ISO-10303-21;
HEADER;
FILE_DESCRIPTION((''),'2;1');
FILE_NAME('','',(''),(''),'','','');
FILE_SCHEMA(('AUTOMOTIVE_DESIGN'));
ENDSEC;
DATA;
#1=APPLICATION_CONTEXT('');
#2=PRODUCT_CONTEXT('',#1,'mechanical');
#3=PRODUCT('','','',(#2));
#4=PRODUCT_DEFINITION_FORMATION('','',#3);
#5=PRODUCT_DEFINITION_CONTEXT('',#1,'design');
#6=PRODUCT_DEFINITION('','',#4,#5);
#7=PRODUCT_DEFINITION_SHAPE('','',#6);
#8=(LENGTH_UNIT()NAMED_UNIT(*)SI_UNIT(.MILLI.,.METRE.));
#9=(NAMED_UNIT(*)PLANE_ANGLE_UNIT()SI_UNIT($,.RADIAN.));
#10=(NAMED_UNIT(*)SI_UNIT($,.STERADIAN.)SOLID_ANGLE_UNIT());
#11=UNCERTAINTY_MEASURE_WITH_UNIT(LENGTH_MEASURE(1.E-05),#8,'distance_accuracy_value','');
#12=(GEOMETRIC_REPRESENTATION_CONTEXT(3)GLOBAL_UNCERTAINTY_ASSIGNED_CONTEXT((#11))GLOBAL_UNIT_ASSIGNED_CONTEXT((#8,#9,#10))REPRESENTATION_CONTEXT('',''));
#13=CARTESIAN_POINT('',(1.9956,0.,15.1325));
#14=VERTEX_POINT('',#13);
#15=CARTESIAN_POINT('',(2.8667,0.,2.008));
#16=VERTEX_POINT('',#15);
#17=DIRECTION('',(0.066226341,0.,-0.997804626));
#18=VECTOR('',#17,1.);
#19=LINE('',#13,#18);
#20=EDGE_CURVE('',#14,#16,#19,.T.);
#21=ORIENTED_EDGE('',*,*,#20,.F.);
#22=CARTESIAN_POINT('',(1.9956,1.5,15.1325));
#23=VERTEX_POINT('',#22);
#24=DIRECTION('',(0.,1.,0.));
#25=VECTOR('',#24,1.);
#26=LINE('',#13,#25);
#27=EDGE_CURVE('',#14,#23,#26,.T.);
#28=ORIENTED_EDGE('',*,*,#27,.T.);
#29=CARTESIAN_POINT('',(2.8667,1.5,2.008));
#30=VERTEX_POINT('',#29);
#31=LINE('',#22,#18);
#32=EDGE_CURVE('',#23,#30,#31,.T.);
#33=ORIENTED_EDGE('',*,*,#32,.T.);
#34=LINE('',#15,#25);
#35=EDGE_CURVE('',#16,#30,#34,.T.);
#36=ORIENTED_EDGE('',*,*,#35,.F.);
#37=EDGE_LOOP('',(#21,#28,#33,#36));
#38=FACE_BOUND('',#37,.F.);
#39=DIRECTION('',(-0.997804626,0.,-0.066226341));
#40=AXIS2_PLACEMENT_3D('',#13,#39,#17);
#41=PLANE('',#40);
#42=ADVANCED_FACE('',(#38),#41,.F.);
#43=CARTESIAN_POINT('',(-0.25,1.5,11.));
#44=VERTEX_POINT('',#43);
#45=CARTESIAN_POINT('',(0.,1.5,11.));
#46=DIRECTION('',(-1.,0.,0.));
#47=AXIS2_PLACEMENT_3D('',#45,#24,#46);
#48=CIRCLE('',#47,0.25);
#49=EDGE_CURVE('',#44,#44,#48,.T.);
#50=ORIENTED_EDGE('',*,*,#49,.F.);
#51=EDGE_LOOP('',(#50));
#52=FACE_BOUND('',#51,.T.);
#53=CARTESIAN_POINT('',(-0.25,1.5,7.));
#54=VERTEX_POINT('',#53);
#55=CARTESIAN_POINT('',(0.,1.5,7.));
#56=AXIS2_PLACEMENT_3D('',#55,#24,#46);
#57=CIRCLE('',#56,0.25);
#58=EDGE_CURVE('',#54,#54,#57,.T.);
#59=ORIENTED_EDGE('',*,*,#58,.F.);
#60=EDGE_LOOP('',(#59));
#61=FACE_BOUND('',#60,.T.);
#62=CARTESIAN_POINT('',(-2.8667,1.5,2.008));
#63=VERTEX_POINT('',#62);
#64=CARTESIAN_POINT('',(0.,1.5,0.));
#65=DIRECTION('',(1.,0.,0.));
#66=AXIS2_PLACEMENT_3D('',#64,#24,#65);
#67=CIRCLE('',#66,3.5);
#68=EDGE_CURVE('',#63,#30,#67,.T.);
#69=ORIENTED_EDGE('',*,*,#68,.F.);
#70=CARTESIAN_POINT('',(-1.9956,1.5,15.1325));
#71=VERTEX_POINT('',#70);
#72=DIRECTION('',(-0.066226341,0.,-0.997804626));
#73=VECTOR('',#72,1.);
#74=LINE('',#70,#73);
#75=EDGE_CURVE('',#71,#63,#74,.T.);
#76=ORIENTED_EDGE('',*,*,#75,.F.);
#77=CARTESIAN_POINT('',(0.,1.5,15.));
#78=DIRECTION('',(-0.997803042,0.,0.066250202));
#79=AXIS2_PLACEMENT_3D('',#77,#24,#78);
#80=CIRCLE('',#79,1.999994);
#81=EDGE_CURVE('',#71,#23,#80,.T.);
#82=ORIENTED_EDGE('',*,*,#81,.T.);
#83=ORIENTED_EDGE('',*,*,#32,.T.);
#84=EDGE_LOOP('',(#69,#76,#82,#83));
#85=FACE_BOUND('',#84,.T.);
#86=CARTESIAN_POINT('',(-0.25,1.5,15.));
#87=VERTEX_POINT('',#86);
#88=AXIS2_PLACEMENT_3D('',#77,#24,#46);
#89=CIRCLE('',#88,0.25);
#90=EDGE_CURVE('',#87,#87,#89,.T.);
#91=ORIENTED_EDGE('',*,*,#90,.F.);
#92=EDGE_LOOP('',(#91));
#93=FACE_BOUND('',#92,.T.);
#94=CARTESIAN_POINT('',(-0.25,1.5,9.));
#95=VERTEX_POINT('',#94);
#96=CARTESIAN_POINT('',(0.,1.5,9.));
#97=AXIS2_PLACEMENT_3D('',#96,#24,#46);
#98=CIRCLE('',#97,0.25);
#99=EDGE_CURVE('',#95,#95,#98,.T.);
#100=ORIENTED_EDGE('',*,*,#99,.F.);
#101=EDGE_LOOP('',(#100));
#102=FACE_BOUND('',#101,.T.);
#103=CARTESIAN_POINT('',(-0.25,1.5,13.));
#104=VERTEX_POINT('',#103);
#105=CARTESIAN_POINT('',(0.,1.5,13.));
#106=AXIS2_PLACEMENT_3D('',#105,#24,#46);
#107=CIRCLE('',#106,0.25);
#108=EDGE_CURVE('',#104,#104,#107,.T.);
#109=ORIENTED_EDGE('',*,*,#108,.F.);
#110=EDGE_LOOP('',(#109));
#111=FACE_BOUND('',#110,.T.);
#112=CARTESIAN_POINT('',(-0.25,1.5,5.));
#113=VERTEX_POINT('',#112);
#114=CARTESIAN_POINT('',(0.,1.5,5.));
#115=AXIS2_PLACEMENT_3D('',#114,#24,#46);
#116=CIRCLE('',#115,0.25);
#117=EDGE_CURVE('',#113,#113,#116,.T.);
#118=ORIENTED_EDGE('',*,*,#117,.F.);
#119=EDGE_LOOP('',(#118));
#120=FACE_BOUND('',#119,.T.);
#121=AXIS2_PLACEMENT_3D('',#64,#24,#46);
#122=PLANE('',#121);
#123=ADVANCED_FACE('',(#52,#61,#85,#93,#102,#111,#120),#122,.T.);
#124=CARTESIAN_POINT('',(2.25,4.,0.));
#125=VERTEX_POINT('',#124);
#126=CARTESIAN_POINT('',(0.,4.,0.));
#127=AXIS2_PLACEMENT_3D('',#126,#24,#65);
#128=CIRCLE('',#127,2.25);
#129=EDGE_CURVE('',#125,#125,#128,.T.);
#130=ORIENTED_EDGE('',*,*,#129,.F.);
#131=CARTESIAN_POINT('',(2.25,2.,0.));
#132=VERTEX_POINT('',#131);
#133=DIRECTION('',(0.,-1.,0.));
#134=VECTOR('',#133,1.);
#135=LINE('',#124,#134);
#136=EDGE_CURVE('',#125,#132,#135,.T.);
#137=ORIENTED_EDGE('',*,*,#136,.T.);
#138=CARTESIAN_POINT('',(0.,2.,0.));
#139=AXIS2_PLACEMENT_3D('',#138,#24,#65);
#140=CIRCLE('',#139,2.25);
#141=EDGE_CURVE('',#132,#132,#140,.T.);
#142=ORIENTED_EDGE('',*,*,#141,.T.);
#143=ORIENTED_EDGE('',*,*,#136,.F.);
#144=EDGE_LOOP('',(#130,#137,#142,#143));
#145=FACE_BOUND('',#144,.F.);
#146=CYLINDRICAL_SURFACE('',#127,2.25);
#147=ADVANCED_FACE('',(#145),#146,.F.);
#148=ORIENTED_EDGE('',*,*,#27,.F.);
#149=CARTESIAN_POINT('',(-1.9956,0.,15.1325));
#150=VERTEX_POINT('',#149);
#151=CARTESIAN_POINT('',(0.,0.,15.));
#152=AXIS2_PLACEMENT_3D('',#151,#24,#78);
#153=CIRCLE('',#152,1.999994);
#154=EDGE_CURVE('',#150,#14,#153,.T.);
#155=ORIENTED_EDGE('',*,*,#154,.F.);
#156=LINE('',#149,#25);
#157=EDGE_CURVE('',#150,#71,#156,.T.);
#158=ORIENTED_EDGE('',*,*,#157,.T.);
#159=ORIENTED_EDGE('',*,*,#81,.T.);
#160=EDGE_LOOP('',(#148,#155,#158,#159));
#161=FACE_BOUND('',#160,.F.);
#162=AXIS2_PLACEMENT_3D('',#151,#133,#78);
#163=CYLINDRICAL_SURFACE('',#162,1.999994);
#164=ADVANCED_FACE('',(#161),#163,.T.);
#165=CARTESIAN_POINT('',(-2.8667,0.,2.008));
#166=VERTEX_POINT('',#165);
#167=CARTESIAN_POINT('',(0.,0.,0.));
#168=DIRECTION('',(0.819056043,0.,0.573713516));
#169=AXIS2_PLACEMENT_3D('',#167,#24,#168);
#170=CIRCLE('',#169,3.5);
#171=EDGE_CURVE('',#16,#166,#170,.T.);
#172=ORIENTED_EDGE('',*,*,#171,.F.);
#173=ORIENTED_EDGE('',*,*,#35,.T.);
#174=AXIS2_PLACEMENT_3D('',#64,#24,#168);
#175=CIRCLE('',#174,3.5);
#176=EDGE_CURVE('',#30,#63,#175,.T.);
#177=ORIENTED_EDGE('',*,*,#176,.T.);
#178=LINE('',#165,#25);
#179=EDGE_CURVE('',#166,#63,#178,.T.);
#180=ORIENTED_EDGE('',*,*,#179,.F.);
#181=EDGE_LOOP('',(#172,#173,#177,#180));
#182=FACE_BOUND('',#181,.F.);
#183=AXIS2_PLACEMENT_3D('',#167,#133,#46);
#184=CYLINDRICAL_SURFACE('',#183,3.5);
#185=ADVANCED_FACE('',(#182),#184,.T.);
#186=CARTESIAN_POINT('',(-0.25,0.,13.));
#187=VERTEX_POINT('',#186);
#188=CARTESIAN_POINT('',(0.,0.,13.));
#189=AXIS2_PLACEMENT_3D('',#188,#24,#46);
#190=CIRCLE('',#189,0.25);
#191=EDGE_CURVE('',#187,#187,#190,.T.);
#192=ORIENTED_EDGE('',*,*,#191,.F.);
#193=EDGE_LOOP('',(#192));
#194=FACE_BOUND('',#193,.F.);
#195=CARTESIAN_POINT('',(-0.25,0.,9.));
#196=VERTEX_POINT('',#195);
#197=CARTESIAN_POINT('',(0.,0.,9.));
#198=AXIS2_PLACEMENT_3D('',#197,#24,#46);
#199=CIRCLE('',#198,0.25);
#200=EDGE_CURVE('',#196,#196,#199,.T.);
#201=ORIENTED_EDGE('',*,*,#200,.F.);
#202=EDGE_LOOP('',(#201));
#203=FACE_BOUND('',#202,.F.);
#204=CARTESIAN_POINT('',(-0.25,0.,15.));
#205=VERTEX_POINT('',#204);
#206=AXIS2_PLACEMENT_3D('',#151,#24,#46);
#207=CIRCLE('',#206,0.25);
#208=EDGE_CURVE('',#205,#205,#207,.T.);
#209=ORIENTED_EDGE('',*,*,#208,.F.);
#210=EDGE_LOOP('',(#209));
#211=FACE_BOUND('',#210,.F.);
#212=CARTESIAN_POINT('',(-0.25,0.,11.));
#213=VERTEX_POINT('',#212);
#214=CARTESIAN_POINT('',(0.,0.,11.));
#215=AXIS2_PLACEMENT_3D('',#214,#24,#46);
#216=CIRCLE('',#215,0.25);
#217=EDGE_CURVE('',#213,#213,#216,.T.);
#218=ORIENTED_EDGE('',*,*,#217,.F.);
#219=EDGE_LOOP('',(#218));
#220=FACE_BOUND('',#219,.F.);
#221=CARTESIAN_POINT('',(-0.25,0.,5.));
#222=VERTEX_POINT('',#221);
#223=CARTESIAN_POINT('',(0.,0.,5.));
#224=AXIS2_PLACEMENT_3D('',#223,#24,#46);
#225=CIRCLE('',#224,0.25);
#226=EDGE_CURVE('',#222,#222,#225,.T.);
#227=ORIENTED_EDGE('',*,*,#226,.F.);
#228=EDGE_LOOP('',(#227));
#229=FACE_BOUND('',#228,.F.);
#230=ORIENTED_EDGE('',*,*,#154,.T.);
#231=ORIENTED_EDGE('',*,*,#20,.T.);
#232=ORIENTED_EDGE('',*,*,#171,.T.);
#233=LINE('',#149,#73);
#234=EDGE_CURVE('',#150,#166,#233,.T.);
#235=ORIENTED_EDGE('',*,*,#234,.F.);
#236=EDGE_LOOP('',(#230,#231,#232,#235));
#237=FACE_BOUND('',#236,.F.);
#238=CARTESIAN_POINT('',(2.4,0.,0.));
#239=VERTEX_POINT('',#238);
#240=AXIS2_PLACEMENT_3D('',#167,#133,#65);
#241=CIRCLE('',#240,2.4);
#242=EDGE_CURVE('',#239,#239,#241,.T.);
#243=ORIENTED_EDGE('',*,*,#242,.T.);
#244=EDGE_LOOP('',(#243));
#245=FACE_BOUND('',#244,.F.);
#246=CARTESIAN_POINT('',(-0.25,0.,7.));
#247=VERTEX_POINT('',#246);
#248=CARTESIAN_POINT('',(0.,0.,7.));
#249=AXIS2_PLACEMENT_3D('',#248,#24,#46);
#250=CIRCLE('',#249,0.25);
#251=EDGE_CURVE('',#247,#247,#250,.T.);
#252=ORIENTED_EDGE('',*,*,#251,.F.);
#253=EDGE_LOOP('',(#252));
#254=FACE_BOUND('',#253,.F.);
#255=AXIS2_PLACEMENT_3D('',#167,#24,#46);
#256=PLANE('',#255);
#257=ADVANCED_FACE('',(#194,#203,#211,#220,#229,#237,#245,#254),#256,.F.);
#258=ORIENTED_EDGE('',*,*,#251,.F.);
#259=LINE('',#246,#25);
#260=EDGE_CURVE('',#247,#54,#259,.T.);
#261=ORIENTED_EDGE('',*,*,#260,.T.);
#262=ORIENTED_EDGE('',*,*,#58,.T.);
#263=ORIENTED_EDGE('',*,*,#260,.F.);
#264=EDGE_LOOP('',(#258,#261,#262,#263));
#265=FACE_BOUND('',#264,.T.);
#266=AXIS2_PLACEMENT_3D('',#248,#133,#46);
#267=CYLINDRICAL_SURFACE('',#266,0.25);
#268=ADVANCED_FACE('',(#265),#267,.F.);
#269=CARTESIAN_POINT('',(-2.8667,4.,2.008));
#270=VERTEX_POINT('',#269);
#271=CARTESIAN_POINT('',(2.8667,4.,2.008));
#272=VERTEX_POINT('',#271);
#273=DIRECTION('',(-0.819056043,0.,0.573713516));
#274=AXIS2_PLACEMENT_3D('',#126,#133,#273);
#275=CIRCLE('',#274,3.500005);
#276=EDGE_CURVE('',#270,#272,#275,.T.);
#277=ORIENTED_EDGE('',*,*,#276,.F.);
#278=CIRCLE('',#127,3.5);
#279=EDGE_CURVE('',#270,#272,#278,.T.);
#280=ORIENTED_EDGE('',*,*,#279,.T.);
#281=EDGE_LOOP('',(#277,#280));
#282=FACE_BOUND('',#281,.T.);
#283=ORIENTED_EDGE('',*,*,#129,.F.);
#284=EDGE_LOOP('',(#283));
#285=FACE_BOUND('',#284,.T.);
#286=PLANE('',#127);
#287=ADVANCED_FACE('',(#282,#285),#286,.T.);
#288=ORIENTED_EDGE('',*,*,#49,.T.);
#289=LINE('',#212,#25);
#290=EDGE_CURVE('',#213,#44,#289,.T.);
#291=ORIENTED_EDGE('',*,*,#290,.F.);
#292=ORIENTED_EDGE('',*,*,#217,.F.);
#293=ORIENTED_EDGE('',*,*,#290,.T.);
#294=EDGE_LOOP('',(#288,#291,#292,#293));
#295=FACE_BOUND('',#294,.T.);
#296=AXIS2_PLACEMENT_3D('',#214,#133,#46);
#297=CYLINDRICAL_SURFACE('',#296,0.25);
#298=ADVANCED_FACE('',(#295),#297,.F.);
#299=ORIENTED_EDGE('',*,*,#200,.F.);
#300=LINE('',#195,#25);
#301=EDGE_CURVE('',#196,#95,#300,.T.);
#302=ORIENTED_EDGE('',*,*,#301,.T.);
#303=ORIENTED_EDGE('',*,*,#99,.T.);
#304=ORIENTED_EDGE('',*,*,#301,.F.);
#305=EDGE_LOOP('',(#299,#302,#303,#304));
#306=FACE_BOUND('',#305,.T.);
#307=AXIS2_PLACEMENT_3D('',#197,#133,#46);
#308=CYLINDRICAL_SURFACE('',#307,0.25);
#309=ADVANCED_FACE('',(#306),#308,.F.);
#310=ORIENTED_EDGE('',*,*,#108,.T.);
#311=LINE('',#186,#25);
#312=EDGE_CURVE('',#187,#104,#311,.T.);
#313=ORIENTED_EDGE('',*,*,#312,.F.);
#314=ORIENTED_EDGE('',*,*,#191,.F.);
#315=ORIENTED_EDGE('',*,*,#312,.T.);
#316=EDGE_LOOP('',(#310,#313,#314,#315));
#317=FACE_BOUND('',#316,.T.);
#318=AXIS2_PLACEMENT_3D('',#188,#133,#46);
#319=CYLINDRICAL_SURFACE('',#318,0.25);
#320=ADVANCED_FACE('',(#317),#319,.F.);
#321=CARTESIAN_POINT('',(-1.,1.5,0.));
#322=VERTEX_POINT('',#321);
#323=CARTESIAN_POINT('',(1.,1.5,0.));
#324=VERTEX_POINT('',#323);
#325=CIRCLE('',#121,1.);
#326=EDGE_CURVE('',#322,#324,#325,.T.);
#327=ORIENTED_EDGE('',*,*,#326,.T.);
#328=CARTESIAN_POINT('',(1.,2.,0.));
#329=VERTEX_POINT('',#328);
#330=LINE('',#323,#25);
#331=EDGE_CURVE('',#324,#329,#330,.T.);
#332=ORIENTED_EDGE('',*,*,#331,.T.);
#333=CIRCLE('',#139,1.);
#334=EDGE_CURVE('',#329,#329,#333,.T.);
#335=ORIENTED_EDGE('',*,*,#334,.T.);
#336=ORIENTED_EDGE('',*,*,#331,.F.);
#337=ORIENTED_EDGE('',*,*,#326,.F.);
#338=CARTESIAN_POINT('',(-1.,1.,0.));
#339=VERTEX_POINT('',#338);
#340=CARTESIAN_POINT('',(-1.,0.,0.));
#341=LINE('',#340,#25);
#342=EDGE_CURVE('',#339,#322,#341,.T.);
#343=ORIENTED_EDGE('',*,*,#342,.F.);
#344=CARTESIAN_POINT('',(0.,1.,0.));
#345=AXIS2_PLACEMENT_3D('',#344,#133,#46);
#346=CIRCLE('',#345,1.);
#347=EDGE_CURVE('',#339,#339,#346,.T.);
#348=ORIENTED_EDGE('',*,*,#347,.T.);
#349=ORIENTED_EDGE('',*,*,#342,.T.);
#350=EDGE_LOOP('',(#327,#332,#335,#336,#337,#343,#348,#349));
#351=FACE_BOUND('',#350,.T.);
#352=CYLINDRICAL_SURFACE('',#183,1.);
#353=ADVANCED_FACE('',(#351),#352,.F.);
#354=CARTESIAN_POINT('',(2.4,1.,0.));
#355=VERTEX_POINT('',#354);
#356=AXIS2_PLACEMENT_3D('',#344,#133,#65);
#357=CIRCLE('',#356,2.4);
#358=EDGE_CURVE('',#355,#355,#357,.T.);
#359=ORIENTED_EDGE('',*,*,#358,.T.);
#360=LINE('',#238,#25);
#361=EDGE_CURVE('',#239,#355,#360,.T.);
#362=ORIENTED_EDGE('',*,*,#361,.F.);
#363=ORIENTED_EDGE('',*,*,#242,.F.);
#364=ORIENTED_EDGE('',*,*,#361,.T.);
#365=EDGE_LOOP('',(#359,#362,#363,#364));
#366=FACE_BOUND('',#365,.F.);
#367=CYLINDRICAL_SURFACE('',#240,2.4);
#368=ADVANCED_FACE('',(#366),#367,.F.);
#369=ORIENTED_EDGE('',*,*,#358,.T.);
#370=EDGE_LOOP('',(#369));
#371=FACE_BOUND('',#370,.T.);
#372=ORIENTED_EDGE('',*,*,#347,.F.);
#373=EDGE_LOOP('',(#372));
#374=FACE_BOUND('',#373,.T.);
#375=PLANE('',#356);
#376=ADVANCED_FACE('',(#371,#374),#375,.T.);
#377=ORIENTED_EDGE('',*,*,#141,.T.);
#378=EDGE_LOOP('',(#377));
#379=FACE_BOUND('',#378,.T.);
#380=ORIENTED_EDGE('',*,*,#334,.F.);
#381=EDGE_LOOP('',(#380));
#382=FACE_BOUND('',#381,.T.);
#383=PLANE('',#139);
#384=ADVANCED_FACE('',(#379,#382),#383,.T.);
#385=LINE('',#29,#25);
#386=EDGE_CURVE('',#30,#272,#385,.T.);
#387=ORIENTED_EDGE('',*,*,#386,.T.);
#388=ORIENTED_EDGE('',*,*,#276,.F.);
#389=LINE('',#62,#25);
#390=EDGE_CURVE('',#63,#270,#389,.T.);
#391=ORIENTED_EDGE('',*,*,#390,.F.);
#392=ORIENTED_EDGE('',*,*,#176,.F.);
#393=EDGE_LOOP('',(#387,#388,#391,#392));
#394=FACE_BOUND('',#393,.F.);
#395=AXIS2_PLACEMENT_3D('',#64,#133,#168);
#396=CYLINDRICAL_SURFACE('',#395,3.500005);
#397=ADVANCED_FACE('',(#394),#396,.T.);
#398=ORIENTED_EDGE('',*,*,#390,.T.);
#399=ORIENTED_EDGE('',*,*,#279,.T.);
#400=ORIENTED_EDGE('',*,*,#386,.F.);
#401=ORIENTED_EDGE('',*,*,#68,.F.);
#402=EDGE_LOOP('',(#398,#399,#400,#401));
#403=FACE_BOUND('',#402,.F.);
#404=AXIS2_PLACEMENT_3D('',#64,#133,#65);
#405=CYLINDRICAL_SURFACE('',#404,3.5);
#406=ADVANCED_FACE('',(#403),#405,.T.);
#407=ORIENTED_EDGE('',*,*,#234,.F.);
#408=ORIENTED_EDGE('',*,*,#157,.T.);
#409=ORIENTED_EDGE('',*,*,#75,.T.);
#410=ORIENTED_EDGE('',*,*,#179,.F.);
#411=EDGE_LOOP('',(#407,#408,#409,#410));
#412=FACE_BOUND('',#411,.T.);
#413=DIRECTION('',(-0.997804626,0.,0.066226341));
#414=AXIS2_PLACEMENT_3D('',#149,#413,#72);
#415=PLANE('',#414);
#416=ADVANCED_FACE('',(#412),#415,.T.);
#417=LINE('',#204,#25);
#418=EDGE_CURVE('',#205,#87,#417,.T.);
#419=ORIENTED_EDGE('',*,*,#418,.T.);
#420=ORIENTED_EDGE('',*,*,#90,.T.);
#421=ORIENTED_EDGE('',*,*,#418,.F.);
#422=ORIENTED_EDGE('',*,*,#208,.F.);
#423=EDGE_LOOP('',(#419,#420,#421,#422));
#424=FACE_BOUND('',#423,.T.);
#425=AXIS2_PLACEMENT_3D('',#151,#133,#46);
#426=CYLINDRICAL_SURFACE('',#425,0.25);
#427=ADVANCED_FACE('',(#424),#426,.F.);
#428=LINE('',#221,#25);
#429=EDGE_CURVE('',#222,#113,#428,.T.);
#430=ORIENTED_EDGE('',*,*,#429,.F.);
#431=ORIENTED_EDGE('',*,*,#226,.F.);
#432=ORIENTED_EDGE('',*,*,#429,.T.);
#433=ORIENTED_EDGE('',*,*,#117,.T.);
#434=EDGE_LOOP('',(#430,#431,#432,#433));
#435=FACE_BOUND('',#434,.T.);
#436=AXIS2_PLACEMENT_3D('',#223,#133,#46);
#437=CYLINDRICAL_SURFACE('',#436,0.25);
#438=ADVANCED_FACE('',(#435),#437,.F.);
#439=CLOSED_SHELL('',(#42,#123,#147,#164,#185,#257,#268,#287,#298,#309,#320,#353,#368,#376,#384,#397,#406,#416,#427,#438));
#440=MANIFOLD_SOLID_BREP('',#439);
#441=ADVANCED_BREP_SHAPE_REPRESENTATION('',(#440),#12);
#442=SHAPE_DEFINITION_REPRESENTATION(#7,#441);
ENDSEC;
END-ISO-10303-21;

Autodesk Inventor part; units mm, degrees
ref_plane "YZ Plane" through (0, 0, 0) normal (1, 0, 0) x (0, 1, 0)
ref_plane "XZ Plane" through (0, 0, 0) normal (0, 1, 0) x (-1, 0, 0)
ref_plane "XY Plane" through (0, 0, 0) normal (0, 0, 1) x (1, 0, 0)
sketch "Эскиз1" plane through (0, 0, 0) normal (0, 1, 0) x (-1, 0, 0)
  circle A0 centre (0, 0) radius 1
  circle A1 centre (0, 0) radius 3.5
  arc A2 (1.9956, 15.1325) -> (-1.9956, 15.1325) centre (0, 15) ccw
  line L0 (1.9956, 15.1325) -> (2.8667, 2.008)
  line L1 (-1.9956, 15.1325) -> (-2.8667, 2.008)
  circle A3 centre (0, 15) radius 0.25
  circle A4 centre (0, 13) radius 0.25
  circle A5 centre (0, 11) radius 0.25
  circle A6 centre (0, 9) radius 0.25
  circle A7 centre (0, 7) radius 0.25
  circle A8 centre (0, 5) radius 0.25
  line L2 (2.8667, 2.008) -> (3, 0) construction
  line L3 (-2.8667, 2.008) -> (-3, 0) construction
  dimension "d0" = 7
  dimension "d1" = 2
  dimension "d2" = 3
  dimension "d3" = 3
  dimension "d4" = 15
  dimension "d5" = 2
  dimension "d6" = 0.5
  dimension "d7" = 0.5
  dimension "d8" = 0.5
  dimension "d9" = 0.5
  dimension "d10" = 0.5
  dimension "d11" = 0.5
  dimension "d13" = 2
  dimension "d14" = 2
  dimension "d15" = 2
  dimension "d16" = 2
  dimension "d17" = 2
extrude "Выдавливание1" add sketch "Эскиз1" along normal blind 1.5
sketch "Эскиз2" plane through (0, 1.5, 0) normal (0, 1, 0) x (1, 0, 0)
  arc A0 (2.8667, -2.008) -> (-2.8667, -2.008) centre (0, 0) ccw projected
  circle A1 centre (0, 0) radius 1 projected
  circle A2 centre (0, 0) radius 3.5
extrude "Выдавливание2" add sketch "Эскиз2" along normal blind 2.5
sketch "Эскиз3" plane through (0, 4, 0) normal (0, 1, 0) x (1, 0, 0)
  circle A0 centre (0, 0) radius 1 projected
  circle A1 centre (0, 0) radius 2.25
  dimension "d23" = 4.5
extrude "Выдавливание3" cut sketch "Эскиз3" against normal blind 2
sketch "Эскиз4" plane through (0, 0, 0) normal (0, -1, 0) x (1, 0, 0)
  circle A0 centre (0, 0) radius 2.4
  dimension "d29" = 4.8
extrude "Выдавливание4" cut sketch "Эскиз4" against normal blind 1
equation "\"d7\" = d6"
equation "\"d8\" = d6"
equation "\"d9\" = d6"
equation "\"d10\" = d6"
equation "\"d11\" = d6"
properties part number "Arm 1" material "Нейлон 6/6"
